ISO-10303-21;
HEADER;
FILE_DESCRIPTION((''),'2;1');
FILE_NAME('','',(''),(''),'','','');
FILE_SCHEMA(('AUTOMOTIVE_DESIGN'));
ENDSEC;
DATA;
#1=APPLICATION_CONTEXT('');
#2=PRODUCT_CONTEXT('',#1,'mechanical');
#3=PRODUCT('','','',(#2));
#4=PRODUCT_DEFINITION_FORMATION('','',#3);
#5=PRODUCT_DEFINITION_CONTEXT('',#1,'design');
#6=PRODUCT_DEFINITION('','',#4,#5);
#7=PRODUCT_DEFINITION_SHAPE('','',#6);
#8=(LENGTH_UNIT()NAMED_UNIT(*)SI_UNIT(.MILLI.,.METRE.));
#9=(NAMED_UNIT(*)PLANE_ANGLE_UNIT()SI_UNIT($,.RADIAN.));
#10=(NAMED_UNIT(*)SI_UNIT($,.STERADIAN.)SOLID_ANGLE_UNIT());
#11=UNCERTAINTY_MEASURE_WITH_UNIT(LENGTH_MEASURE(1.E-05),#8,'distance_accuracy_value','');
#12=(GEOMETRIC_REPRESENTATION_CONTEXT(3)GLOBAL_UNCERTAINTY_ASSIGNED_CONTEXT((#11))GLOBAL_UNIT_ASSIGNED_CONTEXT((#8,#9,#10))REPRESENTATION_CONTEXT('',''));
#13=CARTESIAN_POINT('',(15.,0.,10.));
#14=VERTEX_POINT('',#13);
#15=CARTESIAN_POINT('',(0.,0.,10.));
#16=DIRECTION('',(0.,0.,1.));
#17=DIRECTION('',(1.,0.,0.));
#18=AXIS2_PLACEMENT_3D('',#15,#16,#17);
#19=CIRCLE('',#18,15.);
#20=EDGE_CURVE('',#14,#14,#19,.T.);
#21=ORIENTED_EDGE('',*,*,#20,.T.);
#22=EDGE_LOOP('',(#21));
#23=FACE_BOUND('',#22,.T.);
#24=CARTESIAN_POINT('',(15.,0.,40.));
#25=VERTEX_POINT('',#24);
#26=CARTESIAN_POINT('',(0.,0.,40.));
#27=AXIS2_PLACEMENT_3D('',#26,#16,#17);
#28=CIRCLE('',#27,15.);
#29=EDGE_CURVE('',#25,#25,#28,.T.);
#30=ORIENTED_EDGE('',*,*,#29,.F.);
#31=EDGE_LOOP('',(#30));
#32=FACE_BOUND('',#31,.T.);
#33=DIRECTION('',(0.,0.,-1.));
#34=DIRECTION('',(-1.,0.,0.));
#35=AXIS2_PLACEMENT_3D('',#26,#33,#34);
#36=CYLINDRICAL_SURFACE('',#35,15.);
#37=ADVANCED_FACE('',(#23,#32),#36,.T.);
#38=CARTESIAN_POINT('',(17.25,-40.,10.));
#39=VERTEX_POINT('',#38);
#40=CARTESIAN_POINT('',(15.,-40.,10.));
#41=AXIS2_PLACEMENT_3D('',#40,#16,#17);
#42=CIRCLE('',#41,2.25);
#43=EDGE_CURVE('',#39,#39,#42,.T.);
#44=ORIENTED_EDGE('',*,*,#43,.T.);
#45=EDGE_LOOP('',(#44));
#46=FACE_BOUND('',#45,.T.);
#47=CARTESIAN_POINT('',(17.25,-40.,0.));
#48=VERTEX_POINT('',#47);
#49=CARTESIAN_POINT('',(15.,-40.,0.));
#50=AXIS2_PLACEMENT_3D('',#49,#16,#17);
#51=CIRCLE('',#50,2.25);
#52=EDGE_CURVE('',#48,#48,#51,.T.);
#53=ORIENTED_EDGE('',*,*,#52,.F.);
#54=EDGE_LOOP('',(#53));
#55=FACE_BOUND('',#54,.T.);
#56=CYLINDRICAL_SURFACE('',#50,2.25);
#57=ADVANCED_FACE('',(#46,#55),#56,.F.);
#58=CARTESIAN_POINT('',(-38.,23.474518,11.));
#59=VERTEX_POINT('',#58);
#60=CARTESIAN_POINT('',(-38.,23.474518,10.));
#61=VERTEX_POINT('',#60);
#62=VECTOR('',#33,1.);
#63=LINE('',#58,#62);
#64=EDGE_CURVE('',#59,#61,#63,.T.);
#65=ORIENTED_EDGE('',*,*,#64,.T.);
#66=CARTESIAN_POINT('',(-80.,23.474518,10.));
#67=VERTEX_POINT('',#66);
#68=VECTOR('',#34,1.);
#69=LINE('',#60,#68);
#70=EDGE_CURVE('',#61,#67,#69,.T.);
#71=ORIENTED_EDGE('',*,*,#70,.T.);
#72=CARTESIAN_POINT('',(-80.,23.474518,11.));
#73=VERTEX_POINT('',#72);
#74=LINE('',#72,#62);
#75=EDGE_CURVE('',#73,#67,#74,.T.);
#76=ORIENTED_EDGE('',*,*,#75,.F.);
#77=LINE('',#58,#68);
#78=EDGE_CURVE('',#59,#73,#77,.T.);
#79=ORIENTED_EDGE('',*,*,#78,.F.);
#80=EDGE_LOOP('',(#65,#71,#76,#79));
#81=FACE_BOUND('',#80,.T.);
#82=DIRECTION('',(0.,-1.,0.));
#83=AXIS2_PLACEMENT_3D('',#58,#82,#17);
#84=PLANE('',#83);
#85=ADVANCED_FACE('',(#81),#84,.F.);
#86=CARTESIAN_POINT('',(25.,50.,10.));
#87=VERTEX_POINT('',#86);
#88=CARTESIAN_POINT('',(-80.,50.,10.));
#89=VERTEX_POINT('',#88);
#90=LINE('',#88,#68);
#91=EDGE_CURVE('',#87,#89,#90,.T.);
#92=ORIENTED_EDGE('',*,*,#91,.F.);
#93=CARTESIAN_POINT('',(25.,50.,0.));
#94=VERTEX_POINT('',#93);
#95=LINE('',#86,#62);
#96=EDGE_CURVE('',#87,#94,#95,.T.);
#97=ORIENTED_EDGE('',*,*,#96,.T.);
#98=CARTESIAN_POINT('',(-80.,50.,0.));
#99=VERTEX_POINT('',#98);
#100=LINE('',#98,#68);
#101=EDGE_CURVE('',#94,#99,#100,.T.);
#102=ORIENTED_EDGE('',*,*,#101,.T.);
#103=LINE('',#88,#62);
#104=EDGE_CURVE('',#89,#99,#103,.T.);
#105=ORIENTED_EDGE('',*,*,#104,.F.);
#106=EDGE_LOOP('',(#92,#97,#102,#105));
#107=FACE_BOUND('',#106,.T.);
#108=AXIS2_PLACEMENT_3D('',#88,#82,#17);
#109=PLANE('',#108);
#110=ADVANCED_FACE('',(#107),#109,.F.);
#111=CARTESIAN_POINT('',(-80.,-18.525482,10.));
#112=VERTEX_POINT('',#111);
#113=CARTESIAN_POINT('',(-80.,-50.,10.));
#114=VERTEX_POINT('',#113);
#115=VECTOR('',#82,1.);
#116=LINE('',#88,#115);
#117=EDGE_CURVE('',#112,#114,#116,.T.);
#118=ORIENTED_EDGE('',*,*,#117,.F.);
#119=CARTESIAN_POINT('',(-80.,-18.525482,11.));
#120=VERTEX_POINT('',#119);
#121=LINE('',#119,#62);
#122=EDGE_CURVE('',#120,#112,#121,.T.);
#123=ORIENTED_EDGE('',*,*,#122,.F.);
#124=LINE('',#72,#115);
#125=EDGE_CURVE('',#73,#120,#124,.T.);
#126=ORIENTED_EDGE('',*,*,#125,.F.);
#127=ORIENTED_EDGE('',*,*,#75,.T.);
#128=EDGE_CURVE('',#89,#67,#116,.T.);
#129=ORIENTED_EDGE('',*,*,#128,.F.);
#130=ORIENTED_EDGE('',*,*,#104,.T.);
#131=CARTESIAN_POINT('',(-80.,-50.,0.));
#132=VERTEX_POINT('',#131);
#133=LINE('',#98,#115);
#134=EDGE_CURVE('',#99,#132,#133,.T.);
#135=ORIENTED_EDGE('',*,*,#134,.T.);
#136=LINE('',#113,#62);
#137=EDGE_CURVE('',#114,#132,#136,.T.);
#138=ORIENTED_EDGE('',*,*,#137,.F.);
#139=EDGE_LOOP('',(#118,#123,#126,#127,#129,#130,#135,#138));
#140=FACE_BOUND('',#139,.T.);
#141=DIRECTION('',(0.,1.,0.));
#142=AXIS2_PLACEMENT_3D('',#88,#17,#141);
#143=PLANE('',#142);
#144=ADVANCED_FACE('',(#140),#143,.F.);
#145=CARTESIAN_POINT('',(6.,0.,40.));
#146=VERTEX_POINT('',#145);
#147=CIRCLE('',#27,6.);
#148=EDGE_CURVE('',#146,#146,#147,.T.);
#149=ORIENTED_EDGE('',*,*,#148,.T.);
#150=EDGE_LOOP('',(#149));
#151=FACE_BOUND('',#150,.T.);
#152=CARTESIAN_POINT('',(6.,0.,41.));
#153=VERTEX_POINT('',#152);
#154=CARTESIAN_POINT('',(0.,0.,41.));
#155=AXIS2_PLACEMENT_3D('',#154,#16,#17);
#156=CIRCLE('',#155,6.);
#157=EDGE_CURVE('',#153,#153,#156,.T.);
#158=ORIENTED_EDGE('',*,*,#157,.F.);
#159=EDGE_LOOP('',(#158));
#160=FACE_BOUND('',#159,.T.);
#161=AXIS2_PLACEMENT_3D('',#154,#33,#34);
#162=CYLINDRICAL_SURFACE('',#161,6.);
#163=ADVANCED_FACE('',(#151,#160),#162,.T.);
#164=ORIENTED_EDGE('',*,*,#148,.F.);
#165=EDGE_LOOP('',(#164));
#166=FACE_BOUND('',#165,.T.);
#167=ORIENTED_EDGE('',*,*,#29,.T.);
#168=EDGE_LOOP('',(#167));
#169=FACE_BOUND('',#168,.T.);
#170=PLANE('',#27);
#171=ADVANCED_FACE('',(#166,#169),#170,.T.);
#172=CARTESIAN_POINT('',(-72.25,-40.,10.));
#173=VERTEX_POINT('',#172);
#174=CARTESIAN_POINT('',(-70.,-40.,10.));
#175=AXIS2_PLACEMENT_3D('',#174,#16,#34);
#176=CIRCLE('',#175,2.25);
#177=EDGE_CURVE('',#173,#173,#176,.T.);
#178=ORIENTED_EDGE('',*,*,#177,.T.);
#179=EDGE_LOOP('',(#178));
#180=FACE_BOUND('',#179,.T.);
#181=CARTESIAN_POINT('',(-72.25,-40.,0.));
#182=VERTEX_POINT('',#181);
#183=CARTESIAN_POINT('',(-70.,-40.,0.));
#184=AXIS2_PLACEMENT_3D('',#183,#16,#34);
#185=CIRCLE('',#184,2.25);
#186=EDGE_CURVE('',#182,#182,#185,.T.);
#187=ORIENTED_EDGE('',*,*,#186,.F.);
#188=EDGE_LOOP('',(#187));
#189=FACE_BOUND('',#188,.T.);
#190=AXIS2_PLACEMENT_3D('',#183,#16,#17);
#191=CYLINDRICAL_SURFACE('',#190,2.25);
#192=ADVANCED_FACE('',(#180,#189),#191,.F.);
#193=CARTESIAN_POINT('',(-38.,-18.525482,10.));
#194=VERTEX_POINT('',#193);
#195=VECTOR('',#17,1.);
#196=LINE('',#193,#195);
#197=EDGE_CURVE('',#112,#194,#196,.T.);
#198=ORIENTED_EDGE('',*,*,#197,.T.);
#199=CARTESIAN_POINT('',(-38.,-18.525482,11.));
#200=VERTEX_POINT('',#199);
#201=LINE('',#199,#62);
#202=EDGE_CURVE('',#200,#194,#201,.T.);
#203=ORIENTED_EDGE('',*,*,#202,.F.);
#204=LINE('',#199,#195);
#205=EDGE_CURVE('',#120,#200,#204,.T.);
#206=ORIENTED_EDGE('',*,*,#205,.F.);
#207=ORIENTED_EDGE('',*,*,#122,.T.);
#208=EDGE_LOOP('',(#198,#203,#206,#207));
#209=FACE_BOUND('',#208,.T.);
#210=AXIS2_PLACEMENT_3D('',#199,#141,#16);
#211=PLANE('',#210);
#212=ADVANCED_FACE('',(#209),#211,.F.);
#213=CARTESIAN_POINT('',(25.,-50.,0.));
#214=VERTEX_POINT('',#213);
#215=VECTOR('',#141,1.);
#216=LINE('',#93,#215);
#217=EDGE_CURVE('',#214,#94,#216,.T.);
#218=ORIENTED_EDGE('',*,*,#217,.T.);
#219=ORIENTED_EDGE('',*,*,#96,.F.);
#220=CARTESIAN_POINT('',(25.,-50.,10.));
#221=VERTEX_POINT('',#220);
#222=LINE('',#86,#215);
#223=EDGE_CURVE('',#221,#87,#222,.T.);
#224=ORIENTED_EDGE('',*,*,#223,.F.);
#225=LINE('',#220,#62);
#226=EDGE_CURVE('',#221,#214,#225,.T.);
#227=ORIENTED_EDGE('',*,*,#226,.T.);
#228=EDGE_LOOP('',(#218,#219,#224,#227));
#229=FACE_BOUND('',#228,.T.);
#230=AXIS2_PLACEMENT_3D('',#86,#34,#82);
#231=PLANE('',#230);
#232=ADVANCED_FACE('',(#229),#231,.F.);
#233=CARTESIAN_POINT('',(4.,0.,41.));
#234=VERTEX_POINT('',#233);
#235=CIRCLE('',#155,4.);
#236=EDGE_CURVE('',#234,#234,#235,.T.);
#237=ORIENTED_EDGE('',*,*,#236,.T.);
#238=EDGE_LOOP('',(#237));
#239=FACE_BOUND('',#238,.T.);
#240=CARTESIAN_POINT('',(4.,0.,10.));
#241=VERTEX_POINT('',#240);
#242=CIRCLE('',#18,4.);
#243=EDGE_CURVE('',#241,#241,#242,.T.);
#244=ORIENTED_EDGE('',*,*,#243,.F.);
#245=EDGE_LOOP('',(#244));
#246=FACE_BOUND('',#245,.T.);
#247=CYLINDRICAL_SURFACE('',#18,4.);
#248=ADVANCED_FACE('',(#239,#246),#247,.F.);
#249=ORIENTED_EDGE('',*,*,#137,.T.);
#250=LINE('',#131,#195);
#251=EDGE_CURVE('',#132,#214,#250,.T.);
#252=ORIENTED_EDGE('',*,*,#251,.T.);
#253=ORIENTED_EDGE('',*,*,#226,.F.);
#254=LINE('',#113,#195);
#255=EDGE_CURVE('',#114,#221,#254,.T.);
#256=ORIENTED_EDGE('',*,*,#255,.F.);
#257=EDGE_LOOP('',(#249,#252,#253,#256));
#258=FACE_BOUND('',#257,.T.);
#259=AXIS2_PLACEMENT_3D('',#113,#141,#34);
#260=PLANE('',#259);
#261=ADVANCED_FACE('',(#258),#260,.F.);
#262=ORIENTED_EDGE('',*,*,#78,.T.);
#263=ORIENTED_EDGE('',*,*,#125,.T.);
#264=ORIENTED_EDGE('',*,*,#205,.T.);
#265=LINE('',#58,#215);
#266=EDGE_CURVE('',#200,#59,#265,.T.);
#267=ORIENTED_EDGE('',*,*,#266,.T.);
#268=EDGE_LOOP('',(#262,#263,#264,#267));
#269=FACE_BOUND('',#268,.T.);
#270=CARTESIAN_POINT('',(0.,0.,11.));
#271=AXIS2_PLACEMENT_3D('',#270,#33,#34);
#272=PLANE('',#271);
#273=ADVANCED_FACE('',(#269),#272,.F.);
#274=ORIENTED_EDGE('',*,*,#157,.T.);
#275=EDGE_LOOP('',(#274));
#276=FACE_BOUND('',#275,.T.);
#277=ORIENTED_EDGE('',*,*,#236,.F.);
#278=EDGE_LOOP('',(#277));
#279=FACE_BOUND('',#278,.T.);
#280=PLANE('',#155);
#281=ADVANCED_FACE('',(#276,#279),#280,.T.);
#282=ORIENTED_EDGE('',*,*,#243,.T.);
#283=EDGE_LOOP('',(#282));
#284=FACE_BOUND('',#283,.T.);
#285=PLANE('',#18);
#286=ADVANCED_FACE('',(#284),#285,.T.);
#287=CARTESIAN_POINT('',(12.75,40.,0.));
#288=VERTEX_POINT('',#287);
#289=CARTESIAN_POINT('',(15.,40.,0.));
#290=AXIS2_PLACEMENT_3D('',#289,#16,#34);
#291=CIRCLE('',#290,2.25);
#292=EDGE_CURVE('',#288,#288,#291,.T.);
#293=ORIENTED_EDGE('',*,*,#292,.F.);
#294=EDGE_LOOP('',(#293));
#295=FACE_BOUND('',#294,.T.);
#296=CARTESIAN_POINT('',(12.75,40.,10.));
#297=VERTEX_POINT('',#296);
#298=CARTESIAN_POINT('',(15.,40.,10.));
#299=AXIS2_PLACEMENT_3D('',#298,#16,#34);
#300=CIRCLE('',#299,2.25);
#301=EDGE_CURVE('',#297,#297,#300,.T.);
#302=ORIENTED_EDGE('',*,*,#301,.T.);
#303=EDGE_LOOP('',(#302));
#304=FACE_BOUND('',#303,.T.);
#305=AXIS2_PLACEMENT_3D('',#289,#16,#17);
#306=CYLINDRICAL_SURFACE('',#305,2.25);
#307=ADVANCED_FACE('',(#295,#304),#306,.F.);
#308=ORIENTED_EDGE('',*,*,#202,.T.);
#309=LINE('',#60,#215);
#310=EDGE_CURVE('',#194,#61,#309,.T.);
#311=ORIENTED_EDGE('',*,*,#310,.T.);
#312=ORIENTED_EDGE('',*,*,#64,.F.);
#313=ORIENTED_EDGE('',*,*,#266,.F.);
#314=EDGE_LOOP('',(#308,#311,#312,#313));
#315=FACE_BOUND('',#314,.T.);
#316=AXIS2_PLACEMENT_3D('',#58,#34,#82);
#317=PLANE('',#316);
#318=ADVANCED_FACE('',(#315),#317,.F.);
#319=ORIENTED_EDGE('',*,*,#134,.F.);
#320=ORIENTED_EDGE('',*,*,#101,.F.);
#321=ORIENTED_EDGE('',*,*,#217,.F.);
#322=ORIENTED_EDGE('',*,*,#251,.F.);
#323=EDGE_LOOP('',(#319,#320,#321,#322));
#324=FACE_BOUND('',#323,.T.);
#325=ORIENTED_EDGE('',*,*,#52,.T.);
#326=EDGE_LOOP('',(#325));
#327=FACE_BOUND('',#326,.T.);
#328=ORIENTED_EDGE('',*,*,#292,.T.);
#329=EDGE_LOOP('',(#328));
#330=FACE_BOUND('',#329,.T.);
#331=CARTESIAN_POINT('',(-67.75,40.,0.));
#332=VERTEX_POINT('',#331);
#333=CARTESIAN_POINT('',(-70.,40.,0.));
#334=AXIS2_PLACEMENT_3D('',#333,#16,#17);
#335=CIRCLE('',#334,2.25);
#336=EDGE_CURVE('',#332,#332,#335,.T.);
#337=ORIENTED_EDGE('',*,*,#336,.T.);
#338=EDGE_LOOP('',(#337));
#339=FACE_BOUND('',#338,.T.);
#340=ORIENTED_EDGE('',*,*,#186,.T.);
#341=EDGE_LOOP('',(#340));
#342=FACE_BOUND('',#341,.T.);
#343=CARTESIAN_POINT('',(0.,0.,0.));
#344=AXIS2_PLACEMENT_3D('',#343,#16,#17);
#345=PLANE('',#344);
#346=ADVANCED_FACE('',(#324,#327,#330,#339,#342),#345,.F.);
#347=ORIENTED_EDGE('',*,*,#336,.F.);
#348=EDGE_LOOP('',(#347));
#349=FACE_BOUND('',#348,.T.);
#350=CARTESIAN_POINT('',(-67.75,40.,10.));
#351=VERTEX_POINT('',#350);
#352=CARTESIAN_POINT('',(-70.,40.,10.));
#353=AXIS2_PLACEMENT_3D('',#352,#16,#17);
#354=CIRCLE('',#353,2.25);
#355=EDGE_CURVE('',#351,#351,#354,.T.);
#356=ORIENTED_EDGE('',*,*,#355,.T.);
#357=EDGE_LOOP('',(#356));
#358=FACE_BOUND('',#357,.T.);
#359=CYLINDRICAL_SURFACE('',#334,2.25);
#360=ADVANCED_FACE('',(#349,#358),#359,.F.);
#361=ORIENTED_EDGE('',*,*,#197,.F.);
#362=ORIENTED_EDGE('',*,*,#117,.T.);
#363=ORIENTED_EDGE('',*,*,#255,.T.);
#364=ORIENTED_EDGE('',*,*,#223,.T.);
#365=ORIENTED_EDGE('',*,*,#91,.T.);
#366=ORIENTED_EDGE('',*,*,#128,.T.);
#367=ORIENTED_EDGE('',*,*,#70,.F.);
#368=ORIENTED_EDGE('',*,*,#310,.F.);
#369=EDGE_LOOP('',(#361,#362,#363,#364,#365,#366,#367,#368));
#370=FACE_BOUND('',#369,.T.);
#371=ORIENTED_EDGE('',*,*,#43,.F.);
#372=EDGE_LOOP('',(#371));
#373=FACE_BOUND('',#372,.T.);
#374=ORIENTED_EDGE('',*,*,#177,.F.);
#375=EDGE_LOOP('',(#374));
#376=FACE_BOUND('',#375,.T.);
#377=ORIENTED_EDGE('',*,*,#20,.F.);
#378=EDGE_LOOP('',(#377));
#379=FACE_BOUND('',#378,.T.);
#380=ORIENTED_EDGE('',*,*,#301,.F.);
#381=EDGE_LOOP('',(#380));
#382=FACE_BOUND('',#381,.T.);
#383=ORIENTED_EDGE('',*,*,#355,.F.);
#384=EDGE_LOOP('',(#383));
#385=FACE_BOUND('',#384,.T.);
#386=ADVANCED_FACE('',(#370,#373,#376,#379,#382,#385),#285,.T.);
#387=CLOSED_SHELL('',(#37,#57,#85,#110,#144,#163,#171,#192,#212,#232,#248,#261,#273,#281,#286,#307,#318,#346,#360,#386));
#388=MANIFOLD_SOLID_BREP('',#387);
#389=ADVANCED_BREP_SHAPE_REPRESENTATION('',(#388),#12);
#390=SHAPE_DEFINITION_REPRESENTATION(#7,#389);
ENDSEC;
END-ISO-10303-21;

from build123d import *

# Parameters (mm, degrees)
SKETCH1_W           = 105
SKETCH1_H           = 100
BOSS_EXTRUDE1_DEPTH = 10
SKETCH4_R           = 15
BOSS_EXTRUDE2_DEPTH = 30
SKETCH5_R           = 4
CUT_EXTRUDE3_DEPTH  = 30
SKETCH6_W           = 42
SKETCH6_H           = 42
BOSS_EXTRUDE3_DEPTH = 1
SKETCH2_R           = 2.25
CUT_EXTRUDE4_DEPTH  = 99.994949366
BOSS_EXTRUDE4_START = 1
LOCAL_FILES1_R      = 6
LOCAL_FILES1_R_2    = 4
BOSS_EXTRUDE4_DEPTH = 1


with BuildPart() as part:
    # Sketch1 → Boss-Extrude1 (new body)
    with BuildSketch(Plane.XY):
        with Locations((-27.5, 0)):
            Rectangle(SKETCH1_W, SKETCH1_H)
    extrude(amount=BOSS_EXTRUDE1_DEPTH)

    # Sketch4 → Boss-Extrude2 (add)
    with BuildSketch(Plane.XY.offset(10)):
        Circle(SKETCH4_R)
    extrude(amount=BOSS_EXTRUDE2_DEPTH)

    # Sketch5 → Cut-Extrude3 (cut)
    with BuildSketch(Plane.XY.offset(40)):
        Circle(SKETCH5_R)
    extrude(amount=-CUT_EXTRUDE3_DEPTH, mode=Mode.SUBTRACT)

    # Sketch6 → Boss-Extrude3 (add)
    with BuildSketch(Plane.XY.offset(10)):
        with Locations((-59, 2.474517647)):
            Rectangle(SKETCH6_W, SKETCH6_H)
    extrude(amount=BOSS_EXTRUDE3_DEPTH)

    # Sketch2 → Cut-Extrude4 (cut, through all)
    with BuildSketch(Plane.XY.offset(10)):
        with Locations((-70, 40)):
            Circle(SKETCH2_R)
        with Locations((15, -40)):
            Circle(SKETCH2_R)
        with Locations(Location((-70, -40, 0), (0, 0, 180))):
            Circle(SKETCH2_R)
        with Locations(Location((15, 40, 0), (0, 0, 180))):
            Circle(SKETCH2_R)
    extrude(amount=-CUT_EXTRUDE4_DEPTH, mode=Mode.SUBTRACT)

    # Local Files1 → Boss-Extrude4 (add)
    with BuildSketch(Plane.XY.offset(40).offset(BOSS_EXTRUDE4_START)):
        Circle(LOCAL_FILES1_R)
        Circle(LOCAL_FILES1_R_2, mode=Mode.SUBTRACT)
    extrude(amount=-BOSS_EXTRUDE4_DEPTH)


solid = part.part
